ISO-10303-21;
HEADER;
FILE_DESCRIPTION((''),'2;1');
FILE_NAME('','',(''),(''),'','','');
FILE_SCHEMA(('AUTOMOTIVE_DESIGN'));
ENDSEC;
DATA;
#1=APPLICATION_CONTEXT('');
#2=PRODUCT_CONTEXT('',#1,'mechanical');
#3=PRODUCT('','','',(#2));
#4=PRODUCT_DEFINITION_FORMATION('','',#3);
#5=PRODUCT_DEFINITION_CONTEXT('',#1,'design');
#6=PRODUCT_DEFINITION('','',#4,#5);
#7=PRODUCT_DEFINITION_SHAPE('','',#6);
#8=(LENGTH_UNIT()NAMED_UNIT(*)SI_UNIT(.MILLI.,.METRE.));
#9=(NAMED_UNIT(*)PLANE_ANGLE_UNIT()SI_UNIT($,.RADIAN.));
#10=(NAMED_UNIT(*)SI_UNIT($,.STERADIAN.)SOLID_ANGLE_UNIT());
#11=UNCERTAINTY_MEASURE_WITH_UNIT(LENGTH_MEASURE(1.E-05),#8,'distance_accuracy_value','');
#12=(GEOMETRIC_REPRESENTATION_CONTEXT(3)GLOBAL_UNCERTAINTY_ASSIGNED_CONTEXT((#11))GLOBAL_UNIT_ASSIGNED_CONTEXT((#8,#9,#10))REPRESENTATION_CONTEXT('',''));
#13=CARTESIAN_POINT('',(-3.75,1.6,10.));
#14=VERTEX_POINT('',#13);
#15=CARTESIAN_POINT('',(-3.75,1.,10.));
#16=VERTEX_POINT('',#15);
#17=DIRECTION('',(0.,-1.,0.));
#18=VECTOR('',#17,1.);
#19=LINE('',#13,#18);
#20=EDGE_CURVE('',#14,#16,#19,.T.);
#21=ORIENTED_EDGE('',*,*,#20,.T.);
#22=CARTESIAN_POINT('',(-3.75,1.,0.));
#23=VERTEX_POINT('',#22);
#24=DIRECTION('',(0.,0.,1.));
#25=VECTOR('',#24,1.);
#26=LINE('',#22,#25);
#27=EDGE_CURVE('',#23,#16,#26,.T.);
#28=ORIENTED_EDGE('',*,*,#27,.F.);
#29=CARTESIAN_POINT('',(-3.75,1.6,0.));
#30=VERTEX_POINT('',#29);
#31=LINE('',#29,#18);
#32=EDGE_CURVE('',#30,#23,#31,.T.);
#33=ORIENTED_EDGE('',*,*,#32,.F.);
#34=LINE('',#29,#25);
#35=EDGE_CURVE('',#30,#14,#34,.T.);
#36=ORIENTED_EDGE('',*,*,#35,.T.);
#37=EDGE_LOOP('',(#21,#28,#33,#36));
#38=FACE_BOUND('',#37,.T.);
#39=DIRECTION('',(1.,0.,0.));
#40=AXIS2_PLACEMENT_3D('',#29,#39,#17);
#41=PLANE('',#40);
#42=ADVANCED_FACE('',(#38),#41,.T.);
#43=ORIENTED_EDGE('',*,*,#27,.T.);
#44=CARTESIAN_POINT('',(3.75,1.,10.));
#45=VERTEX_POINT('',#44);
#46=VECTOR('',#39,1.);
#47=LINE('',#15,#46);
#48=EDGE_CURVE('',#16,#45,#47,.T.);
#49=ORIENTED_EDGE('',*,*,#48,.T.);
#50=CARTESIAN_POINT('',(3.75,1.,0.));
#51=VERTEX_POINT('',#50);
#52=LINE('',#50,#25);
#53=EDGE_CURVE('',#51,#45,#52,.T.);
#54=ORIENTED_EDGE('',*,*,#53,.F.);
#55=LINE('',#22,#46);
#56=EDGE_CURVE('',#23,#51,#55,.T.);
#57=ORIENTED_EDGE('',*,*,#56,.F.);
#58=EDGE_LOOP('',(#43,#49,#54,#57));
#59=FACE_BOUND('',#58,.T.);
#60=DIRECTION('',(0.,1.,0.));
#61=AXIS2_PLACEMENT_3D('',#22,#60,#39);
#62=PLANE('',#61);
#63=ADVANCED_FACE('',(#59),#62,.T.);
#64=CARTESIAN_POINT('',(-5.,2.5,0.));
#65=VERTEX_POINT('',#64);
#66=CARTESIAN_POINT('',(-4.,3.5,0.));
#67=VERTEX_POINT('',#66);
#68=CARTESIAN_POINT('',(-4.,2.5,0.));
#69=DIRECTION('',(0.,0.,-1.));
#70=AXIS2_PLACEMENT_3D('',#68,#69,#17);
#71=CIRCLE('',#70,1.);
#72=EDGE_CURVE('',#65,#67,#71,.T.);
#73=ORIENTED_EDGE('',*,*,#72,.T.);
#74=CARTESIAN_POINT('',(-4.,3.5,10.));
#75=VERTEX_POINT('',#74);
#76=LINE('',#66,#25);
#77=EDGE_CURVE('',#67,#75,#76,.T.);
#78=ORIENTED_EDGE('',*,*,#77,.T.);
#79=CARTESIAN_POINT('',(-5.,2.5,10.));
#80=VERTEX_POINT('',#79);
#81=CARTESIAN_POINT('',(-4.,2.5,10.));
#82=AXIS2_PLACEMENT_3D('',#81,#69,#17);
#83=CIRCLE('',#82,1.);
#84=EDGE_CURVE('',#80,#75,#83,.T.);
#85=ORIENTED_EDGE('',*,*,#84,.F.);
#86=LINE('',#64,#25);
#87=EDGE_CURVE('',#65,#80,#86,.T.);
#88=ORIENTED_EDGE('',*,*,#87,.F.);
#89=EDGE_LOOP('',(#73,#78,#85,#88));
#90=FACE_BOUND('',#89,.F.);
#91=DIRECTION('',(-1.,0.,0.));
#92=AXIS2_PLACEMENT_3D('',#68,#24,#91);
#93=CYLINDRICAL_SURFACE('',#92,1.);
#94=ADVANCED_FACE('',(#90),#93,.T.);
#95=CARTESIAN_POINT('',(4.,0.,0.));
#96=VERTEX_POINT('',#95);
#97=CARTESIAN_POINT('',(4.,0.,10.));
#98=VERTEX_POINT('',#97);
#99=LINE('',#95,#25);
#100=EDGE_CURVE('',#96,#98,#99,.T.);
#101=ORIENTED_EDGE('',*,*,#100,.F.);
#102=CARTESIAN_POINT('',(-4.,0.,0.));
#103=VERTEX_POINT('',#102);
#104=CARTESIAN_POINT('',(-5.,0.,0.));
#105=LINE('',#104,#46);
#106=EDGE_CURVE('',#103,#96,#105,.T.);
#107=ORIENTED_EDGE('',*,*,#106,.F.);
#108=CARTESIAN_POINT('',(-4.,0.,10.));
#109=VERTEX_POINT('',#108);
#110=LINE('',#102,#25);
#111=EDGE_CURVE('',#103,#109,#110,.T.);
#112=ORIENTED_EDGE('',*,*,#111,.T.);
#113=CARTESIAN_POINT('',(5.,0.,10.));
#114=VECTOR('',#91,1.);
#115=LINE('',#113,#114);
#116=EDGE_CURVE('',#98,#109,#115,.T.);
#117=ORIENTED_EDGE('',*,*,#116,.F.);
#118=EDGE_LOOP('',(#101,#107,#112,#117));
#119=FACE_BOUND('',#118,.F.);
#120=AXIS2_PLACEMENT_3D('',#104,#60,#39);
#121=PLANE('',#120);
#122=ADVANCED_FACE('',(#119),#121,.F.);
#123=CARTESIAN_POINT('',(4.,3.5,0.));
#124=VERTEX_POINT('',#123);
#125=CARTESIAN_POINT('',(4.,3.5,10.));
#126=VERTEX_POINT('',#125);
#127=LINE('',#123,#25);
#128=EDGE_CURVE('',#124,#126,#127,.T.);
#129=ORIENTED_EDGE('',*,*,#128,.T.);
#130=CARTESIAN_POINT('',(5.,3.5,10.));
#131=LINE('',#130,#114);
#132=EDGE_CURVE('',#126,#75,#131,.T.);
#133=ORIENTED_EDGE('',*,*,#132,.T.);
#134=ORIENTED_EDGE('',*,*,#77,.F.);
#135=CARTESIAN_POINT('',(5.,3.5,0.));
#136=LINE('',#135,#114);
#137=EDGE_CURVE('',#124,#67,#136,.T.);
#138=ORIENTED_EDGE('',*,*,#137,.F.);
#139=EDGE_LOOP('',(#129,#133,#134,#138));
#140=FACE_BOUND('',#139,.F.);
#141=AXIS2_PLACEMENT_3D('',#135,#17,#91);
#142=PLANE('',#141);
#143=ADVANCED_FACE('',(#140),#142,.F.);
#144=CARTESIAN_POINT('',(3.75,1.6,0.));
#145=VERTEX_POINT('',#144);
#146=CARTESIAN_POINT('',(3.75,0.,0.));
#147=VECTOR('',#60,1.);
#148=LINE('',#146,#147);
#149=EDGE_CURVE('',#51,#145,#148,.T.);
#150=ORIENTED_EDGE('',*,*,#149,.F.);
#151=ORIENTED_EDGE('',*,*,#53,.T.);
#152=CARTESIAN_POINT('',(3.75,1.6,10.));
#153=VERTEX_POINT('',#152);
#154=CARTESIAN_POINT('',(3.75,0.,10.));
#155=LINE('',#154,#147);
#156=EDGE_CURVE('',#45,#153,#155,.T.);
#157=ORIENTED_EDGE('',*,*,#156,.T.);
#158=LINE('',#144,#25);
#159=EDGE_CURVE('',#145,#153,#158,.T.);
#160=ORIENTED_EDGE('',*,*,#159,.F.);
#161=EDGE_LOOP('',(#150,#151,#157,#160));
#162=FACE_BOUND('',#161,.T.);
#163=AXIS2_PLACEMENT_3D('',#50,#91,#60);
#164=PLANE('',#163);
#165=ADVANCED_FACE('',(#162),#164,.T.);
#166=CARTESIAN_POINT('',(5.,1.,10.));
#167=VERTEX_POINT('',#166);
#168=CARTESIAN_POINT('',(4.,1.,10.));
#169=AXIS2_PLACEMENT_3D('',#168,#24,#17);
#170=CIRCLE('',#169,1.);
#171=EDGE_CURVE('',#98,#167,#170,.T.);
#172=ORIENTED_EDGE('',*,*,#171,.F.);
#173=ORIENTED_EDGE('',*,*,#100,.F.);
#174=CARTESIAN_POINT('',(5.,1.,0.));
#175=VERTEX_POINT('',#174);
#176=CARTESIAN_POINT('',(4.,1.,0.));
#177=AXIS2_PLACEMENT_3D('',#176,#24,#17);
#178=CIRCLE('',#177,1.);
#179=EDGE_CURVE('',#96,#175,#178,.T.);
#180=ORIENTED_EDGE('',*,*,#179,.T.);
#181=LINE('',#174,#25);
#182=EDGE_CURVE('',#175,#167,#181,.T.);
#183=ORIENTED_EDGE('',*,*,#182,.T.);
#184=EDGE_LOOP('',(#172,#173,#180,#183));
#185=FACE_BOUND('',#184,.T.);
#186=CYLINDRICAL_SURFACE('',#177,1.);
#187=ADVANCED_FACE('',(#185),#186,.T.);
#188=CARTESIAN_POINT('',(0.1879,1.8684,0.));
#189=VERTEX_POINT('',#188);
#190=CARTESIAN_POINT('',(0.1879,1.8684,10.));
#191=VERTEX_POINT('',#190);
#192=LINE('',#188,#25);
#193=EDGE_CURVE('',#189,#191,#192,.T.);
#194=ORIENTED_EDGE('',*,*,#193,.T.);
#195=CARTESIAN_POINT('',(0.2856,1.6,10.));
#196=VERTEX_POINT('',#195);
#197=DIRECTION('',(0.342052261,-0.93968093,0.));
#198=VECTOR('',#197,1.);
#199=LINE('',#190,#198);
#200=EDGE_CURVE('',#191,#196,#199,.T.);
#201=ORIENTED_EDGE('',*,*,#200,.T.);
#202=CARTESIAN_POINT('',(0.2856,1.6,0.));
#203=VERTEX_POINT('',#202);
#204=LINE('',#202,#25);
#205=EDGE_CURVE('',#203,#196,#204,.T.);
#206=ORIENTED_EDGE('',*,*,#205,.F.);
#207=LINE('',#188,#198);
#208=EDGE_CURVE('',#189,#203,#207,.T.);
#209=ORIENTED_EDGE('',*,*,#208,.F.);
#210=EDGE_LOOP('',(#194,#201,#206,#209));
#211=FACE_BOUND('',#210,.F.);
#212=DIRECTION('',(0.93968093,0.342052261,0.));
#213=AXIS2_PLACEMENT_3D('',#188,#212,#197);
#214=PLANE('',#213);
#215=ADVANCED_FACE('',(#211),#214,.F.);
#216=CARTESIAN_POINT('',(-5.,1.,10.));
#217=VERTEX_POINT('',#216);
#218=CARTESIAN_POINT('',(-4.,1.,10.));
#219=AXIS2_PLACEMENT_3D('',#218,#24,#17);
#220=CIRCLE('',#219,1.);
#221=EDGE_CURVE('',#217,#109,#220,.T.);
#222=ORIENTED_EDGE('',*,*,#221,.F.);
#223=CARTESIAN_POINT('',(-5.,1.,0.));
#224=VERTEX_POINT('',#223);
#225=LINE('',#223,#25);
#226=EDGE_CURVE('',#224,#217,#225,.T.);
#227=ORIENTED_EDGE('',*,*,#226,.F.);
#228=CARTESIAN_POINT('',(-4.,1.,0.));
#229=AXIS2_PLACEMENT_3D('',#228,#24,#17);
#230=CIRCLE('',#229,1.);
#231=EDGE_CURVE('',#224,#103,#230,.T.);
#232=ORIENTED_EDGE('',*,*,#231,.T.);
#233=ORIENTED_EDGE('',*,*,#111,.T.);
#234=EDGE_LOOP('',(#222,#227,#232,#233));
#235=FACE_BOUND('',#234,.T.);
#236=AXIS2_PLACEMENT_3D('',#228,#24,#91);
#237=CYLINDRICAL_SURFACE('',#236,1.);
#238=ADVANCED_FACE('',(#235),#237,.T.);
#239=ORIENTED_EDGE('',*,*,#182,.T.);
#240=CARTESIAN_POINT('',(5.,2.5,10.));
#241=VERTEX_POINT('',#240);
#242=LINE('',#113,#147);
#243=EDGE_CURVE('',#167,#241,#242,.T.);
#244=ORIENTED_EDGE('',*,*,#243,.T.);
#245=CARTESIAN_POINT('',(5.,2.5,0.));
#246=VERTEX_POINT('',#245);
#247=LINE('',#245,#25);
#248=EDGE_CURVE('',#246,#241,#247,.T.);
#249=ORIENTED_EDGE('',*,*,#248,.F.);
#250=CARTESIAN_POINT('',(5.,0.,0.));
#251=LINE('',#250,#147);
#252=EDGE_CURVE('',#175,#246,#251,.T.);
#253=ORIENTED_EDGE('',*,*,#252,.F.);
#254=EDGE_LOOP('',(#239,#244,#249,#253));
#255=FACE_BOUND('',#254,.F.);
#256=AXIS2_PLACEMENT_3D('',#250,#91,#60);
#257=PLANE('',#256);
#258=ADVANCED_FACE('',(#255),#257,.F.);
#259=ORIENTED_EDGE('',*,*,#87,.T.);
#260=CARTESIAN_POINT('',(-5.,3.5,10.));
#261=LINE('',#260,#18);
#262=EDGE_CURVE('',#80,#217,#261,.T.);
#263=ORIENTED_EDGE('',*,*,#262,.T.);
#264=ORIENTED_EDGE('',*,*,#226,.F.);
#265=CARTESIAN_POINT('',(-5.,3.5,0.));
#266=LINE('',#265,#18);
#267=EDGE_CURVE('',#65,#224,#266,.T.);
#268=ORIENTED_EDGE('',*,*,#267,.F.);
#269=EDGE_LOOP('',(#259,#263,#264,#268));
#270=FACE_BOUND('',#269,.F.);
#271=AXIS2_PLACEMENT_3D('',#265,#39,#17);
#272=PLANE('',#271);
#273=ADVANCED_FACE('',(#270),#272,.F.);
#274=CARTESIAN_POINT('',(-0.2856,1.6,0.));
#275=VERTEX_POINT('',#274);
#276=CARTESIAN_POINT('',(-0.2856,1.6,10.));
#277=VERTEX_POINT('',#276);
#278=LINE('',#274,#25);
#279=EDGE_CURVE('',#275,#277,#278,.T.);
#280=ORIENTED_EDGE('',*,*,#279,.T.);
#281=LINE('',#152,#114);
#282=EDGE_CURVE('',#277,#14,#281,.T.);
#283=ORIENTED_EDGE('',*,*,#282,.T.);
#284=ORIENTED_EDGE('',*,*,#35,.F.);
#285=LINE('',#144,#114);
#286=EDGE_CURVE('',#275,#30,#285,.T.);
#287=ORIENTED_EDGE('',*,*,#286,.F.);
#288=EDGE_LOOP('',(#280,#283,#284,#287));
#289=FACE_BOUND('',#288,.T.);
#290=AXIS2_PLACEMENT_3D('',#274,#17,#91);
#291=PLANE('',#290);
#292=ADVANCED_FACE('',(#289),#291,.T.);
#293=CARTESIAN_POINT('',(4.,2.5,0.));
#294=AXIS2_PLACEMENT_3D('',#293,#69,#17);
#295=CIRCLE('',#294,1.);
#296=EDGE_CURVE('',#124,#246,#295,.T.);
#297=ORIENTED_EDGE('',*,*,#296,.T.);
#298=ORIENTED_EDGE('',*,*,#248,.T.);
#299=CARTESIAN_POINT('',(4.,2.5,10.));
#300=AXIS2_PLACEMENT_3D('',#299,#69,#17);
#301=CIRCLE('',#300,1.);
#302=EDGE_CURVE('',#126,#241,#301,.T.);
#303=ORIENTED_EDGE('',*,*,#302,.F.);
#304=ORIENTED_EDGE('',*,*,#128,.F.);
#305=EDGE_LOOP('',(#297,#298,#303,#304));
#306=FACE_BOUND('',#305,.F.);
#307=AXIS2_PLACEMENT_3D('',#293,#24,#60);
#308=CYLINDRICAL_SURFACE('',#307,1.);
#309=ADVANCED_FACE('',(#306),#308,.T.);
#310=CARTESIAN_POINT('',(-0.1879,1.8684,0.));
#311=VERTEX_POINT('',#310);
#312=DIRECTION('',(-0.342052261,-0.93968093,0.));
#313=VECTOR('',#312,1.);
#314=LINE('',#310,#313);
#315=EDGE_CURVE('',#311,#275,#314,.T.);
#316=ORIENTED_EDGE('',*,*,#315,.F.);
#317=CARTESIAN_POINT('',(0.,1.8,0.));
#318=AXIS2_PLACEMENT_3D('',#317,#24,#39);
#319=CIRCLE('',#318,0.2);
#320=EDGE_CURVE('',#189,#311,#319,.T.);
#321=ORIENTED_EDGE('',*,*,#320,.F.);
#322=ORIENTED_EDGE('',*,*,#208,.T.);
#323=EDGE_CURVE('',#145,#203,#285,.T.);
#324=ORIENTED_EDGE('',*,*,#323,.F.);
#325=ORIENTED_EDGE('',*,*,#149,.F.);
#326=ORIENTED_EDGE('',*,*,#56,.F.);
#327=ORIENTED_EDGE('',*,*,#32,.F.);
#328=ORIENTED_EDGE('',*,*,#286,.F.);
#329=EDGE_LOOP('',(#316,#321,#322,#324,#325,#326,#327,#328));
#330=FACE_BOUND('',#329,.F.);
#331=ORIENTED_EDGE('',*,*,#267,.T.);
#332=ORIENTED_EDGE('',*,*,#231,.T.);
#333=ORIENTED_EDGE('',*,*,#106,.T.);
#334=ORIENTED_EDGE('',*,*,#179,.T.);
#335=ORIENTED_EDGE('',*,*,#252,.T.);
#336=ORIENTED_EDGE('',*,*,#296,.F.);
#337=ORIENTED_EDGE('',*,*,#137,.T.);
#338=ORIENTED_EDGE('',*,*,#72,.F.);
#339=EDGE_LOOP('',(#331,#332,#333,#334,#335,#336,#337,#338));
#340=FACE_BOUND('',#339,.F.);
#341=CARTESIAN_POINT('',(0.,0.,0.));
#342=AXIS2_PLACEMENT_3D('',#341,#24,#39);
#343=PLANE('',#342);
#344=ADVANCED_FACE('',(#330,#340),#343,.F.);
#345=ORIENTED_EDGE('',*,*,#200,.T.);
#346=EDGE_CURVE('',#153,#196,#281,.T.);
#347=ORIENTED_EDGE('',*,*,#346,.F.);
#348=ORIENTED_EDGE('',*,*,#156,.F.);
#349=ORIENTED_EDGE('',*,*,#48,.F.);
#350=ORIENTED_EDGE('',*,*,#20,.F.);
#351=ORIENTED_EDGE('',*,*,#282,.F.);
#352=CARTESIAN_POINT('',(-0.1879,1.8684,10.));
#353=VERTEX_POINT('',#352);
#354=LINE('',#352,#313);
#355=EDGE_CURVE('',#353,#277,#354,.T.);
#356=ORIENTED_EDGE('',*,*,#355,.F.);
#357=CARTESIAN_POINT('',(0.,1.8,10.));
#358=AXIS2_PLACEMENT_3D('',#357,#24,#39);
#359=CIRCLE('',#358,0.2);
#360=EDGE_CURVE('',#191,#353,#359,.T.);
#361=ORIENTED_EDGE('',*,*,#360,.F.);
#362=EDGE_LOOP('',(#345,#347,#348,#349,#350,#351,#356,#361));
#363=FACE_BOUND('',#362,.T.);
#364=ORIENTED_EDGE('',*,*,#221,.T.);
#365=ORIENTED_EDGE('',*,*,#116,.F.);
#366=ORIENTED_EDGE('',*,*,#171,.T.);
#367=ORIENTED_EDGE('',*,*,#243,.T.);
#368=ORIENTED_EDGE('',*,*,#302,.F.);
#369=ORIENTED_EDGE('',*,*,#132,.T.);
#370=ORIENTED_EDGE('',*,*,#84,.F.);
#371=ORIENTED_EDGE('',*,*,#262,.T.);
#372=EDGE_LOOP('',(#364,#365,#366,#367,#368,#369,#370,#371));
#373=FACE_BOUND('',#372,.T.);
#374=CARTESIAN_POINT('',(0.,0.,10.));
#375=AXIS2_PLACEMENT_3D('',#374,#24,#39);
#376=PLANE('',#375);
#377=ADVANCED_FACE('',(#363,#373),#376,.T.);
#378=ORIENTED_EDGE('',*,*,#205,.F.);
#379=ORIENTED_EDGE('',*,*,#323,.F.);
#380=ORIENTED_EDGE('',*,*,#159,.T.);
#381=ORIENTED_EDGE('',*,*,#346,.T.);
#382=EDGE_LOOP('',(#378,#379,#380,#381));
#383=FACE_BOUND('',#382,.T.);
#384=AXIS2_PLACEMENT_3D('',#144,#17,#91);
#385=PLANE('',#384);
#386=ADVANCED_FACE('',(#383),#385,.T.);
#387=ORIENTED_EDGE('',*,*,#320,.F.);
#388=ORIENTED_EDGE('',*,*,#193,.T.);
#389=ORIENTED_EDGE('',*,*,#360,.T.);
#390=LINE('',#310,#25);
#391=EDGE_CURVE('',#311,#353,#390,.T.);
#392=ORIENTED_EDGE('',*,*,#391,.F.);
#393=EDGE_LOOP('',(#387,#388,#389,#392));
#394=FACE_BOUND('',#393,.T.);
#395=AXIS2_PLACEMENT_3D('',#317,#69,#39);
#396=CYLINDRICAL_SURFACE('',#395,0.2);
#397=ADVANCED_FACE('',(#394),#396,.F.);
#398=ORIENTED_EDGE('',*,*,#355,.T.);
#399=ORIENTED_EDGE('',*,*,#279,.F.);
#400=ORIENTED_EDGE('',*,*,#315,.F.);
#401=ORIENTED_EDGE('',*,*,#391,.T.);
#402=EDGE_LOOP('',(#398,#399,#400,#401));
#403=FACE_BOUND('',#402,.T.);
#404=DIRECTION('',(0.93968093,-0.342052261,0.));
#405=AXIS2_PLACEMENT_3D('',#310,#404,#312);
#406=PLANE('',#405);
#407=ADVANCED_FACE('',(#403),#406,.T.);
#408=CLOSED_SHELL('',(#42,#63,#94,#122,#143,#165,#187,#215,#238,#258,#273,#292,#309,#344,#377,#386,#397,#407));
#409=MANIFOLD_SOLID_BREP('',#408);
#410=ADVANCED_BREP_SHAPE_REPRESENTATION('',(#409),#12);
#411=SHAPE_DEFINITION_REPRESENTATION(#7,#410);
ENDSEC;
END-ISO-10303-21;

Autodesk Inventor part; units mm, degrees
ref_plane "YZ Plane" through (0, 0, 0) normal (1, 0, 0) x (0, 1, 0)
ref_plane "XZ Plane" through (0, 0, 0) normal (0, 1, 0) x (-1, 0, 0)
ref_plane "XY Plane" through (0, 0, 0) normal (0, 0, 1) x (1, 0, 0)
sketch "Sketch1" plane through (0, 0, 0) normal (0, 0, 1) x (1, 0, 0)
  line L0 (-5, 0) -> (5, 0)
  line L1 (5, 0) -> (5, 3.5)
  line L2 (5, 3.5) -> (-5, 3.5)
  line L3 (-5, 3.5) -> (-5, 0)
  line L4 (-3.75, 0) -> (3.75, 0)
  line L5 (3.75, 0) -> (3.75, 1.6)
  line L6 (3.75, 1.6) -> (-3.75, 1.6)
  line L7 (-3.75, 1.6) -> (-3.75, 0)
  line L8 (-3.75, 1) -> (3.75, 1)
  circle A0 centre (0, 1.8) radius 0.2
  line L9 (-0.1879, 1.8684) -> (-0.2856, 1.6)
  line L10 (0.1879, 1.8684) -> (0.2856, 1.6)
  point P0 (0, 0)
  dimension "d0" = 10
  dimension "d1" = 7.5
  dimension "d2" = 3.75
  dimension "d3" = 5
  dimension "d4" = 1
  dimension "d5" = 0.6
  dimension "d6" = 0.4
  dimension "d7" = 1.5
  dimension "d8" = 70
  dimension "d9" = 70
extrude "Extrusion1" add sketch "Sketch1" along normal blind 10 contours L3 L2 L1 L0 L5 L6 L10 A0 L9 L7 | L7 L8 L5 L0
fillet "Fillet1" radius 1 4 edges at (5, 3.5, 5) (5, 0, 5) (-5, 3.5, 5) (-5, 0, 5)
equation "\"d2\" = 0.5 * d1"
equation "\"d3\" = 0.5 * d0"
properties part number "Cable_tie_attachment_small"
